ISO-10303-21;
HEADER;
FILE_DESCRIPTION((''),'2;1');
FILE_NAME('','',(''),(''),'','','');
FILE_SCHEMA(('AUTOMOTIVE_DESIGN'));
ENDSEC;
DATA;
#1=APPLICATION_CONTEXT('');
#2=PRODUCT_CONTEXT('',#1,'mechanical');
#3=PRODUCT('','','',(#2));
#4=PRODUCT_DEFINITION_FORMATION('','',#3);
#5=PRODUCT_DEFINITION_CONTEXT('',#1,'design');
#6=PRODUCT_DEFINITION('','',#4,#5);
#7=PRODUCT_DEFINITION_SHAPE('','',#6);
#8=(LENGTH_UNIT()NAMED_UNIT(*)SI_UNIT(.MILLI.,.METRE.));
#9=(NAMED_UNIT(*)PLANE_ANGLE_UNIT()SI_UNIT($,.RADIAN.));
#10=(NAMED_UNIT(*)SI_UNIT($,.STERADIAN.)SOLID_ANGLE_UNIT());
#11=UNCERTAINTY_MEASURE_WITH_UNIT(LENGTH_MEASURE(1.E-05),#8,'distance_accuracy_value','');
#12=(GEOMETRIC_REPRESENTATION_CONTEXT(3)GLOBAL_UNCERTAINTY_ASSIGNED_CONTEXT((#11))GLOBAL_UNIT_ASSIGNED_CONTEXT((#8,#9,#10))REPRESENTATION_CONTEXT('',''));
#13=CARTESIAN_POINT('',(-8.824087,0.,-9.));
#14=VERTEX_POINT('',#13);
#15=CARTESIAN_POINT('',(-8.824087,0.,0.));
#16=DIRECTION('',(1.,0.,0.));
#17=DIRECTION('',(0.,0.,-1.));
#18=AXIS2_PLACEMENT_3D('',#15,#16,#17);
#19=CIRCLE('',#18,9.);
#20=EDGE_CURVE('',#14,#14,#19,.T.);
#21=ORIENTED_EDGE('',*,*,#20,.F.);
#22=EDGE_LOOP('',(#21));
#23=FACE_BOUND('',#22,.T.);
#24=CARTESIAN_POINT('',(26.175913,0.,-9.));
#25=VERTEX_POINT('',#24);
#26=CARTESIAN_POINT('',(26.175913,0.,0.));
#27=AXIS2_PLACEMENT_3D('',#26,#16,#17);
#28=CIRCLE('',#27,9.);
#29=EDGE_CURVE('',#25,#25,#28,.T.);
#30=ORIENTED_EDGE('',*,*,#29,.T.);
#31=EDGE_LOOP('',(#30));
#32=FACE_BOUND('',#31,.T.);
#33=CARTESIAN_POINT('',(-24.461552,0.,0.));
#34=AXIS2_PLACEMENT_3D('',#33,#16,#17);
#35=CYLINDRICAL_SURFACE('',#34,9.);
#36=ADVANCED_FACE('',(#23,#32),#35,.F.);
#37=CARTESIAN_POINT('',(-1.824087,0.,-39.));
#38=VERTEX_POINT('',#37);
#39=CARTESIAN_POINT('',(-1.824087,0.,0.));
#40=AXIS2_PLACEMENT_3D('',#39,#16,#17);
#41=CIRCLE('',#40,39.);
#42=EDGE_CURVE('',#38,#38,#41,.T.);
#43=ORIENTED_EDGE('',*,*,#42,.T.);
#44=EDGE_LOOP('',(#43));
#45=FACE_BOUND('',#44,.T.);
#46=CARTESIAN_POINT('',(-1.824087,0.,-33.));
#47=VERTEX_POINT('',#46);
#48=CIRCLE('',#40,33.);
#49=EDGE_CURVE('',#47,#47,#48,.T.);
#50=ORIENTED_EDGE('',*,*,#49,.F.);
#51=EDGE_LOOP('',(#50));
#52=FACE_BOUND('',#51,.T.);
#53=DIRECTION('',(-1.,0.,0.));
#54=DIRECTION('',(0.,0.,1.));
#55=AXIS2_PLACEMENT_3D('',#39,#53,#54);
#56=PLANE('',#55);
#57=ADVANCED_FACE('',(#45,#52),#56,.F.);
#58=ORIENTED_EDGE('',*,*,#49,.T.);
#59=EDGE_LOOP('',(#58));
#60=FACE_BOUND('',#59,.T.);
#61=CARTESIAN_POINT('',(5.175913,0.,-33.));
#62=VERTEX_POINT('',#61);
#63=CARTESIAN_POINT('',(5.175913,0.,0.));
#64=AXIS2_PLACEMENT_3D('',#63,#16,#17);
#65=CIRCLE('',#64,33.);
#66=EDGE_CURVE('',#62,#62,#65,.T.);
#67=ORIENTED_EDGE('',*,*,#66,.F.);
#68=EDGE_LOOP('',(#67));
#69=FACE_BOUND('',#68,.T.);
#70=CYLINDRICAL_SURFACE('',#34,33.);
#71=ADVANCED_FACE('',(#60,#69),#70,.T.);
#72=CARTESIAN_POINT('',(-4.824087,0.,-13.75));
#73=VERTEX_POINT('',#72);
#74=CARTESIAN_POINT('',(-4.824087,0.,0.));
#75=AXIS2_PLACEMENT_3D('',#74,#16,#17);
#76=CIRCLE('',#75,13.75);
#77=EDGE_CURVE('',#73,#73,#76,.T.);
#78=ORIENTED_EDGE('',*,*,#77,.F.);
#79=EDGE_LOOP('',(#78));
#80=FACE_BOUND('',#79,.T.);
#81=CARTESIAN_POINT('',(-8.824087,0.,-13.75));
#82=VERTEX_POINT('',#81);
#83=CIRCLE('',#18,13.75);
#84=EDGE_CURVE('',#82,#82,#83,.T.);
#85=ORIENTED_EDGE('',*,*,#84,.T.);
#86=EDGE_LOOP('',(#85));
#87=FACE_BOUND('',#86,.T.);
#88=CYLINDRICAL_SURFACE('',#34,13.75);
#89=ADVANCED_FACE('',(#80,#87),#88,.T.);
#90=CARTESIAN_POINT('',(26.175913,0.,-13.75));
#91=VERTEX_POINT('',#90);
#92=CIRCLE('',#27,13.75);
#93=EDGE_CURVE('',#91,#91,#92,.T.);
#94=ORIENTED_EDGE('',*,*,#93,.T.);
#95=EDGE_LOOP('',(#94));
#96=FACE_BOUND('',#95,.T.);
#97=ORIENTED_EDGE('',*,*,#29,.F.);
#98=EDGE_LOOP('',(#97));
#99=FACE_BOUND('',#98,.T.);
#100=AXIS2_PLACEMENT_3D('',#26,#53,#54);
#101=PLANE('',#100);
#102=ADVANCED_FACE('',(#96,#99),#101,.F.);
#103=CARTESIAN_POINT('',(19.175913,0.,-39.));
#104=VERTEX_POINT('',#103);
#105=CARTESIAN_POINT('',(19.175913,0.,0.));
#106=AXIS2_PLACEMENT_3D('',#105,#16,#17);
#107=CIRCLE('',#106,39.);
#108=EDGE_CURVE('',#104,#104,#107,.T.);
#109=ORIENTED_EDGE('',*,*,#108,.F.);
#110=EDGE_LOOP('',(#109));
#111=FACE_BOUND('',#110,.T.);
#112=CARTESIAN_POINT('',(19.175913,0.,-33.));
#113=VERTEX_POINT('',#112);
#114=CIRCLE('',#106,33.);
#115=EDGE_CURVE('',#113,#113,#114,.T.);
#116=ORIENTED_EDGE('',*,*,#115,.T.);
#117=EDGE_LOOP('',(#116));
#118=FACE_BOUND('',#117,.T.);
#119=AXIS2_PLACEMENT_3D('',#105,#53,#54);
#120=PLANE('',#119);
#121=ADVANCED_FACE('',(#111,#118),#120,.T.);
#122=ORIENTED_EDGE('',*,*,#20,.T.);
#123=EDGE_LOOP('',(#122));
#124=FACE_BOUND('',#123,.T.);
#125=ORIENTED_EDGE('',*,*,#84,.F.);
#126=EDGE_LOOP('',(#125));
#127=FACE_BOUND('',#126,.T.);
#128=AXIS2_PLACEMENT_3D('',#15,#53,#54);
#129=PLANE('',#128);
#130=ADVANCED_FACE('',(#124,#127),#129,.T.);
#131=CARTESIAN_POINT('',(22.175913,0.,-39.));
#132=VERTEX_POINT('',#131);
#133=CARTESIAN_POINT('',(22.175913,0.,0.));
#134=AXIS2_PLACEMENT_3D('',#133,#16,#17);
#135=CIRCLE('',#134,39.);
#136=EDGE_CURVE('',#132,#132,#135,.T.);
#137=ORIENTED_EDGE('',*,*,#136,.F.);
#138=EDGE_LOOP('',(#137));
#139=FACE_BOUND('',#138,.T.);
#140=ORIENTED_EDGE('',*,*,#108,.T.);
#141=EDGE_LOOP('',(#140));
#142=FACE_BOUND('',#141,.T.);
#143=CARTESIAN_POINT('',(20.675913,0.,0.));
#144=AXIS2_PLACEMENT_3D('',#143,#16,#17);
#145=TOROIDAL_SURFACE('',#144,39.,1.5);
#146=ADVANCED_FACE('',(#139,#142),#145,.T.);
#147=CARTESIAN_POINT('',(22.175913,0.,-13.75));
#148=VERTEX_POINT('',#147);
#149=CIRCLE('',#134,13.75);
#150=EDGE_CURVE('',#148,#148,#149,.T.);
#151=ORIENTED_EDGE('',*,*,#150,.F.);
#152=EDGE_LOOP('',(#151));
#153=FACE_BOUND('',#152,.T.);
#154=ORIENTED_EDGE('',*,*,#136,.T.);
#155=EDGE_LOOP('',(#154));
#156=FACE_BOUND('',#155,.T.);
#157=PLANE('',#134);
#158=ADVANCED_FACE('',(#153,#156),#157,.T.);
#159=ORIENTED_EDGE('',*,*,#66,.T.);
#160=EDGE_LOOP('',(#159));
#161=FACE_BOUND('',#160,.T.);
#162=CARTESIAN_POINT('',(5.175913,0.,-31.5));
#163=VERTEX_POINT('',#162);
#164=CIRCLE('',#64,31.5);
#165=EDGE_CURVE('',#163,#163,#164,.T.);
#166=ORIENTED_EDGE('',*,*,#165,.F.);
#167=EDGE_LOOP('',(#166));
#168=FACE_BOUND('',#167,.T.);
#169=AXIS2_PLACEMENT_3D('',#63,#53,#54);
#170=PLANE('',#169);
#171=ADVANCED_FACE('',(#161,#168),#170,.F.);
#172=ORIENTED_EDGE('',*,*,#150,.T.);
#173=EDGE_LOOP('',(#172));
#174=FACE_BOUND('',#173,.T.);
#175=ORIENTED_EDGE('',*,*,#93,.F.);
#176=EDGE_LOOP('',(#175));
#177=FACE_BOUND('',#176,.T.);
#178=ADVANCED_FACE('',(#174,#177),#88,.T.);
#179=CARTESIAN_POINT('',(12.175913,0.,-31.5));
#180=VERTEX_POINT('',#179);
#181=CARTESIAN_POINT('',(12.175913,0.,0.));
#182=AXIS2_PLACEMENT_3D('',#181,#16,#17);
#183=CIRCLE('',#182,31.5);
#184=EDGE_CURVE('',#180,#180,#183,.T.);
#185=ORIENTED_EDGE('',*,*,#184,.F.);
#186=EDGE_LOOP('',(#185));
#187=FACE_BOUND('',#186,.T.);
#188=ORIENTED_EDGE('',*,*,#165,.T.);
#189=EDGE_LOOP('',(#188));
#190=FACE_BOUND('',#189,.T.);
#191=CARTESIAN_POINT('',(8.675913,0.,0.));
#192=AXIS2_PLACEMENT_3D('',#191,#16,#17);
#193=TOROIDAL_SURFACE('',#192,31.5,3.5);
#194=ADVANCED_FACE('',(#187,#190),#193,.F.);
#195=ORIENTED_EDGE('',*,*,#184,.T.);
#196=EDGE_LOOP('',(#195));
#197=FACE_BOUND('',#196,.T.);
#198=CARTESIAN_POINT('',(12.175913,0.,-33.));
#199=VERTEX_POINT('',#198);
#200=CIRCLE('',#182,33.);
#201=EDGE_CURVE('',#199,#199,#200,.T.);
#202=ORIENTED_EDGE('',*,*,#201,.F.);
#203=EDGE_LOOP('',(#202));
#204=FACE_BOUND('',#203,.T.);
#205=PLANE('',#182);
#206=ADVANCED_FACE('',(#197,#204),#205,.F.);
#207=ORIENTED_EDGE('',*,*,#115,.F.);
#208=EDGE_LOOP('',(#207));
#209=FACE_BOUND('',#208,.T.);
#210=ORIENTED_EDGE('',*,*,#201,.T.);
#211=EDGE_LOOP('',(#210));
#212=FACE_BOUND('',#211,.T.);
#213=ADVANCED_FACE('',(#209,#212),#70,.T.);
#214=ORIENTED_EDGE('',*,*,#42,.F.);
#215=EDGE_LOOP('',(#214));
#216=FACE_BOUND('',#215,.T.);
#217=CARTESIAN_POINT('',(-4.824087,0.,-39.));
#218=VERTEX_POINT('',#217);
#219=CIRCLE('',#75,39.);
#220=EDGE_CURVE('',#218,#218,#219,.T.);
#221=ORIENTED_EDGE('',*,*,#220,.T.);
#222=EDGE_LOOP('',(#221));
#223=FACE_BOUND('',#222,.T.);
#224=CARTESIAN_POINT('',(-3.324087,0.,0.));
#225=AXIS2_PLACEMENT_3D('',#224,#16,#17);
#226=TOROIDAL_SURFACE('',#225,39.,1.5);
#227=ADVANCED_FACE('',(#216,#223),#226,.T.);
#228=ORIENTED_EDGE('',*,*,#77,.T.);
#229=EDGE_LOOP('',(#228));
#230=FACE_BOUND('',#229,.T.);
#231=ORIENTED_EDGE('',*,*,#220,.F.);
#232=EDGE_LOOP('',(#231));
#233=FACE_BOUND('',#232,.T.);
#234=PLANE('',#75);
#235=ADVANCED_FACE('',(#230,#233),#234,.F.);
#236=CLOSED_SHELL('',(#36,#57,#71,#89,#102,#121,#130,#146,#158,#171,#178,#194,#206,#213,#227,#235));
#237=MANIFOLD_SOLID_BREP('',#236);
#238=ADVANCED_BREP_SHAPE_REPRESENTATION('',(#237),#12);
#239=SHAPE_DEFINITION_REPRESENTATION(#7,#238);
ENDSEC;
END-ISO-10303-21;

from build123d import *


with BuildPart() as part:
    # Sketch1 → Revolve1 (revolve)
    with BuildSketch(Plane.XY, mode=Mode.PRIVATE) as revolve1_sk:
        with BuildLine():
            Line((26.175913368, 13.75), (26.175913368, 9))
            Line((26.175913368, 9), (-8.824086632, 9))
            Line((-8.824086632, 9), (-8.824086632, 13.75))
            Line((-8.824086632, 13.75), (-4.824086632, 13.75))
            Line((-4.824086632, 13.75), (-4.824086632, 39))
            ThreePointArc((-4.824086632, 39), (-3.324086632, 40.5), (-1.824086632, 39))
            Line((-1.824086632, 39), (-1.824086632, 33))
            Line((-1.824086632, 33), (5.175913368, 33))
            Line((5.175913368, 33), (5.175913368, 31.5))
            ThreePointArc((5.175913368, 31.5), (8.675913368, 28), (12.175913368, 31.5))
            Line((12.175913368, 31.5), (12.175913368, 33))
            Line((12.175913368, 33), (19.175913368, 33))
            Line((19.175913368, 33), (19.175913368, 39))
            ThreePointArc((19.175913368, 39), (20.675913368, 40.5), (22.175913368, 39))
            Line((22.175913368, 39), (22.175913368, 13.75))
            Line((22.175913368, 13.75), (26.175913368, 13.75))
        make_face()
    revolve(revolve1_sk.sketch.rotate(Axis((-24.461552005, 0, 0), (1, 0, 0)), 270), axis=Axis((-24.461552005, 0, 0), (1, 0, 0)))


solid = part.part
